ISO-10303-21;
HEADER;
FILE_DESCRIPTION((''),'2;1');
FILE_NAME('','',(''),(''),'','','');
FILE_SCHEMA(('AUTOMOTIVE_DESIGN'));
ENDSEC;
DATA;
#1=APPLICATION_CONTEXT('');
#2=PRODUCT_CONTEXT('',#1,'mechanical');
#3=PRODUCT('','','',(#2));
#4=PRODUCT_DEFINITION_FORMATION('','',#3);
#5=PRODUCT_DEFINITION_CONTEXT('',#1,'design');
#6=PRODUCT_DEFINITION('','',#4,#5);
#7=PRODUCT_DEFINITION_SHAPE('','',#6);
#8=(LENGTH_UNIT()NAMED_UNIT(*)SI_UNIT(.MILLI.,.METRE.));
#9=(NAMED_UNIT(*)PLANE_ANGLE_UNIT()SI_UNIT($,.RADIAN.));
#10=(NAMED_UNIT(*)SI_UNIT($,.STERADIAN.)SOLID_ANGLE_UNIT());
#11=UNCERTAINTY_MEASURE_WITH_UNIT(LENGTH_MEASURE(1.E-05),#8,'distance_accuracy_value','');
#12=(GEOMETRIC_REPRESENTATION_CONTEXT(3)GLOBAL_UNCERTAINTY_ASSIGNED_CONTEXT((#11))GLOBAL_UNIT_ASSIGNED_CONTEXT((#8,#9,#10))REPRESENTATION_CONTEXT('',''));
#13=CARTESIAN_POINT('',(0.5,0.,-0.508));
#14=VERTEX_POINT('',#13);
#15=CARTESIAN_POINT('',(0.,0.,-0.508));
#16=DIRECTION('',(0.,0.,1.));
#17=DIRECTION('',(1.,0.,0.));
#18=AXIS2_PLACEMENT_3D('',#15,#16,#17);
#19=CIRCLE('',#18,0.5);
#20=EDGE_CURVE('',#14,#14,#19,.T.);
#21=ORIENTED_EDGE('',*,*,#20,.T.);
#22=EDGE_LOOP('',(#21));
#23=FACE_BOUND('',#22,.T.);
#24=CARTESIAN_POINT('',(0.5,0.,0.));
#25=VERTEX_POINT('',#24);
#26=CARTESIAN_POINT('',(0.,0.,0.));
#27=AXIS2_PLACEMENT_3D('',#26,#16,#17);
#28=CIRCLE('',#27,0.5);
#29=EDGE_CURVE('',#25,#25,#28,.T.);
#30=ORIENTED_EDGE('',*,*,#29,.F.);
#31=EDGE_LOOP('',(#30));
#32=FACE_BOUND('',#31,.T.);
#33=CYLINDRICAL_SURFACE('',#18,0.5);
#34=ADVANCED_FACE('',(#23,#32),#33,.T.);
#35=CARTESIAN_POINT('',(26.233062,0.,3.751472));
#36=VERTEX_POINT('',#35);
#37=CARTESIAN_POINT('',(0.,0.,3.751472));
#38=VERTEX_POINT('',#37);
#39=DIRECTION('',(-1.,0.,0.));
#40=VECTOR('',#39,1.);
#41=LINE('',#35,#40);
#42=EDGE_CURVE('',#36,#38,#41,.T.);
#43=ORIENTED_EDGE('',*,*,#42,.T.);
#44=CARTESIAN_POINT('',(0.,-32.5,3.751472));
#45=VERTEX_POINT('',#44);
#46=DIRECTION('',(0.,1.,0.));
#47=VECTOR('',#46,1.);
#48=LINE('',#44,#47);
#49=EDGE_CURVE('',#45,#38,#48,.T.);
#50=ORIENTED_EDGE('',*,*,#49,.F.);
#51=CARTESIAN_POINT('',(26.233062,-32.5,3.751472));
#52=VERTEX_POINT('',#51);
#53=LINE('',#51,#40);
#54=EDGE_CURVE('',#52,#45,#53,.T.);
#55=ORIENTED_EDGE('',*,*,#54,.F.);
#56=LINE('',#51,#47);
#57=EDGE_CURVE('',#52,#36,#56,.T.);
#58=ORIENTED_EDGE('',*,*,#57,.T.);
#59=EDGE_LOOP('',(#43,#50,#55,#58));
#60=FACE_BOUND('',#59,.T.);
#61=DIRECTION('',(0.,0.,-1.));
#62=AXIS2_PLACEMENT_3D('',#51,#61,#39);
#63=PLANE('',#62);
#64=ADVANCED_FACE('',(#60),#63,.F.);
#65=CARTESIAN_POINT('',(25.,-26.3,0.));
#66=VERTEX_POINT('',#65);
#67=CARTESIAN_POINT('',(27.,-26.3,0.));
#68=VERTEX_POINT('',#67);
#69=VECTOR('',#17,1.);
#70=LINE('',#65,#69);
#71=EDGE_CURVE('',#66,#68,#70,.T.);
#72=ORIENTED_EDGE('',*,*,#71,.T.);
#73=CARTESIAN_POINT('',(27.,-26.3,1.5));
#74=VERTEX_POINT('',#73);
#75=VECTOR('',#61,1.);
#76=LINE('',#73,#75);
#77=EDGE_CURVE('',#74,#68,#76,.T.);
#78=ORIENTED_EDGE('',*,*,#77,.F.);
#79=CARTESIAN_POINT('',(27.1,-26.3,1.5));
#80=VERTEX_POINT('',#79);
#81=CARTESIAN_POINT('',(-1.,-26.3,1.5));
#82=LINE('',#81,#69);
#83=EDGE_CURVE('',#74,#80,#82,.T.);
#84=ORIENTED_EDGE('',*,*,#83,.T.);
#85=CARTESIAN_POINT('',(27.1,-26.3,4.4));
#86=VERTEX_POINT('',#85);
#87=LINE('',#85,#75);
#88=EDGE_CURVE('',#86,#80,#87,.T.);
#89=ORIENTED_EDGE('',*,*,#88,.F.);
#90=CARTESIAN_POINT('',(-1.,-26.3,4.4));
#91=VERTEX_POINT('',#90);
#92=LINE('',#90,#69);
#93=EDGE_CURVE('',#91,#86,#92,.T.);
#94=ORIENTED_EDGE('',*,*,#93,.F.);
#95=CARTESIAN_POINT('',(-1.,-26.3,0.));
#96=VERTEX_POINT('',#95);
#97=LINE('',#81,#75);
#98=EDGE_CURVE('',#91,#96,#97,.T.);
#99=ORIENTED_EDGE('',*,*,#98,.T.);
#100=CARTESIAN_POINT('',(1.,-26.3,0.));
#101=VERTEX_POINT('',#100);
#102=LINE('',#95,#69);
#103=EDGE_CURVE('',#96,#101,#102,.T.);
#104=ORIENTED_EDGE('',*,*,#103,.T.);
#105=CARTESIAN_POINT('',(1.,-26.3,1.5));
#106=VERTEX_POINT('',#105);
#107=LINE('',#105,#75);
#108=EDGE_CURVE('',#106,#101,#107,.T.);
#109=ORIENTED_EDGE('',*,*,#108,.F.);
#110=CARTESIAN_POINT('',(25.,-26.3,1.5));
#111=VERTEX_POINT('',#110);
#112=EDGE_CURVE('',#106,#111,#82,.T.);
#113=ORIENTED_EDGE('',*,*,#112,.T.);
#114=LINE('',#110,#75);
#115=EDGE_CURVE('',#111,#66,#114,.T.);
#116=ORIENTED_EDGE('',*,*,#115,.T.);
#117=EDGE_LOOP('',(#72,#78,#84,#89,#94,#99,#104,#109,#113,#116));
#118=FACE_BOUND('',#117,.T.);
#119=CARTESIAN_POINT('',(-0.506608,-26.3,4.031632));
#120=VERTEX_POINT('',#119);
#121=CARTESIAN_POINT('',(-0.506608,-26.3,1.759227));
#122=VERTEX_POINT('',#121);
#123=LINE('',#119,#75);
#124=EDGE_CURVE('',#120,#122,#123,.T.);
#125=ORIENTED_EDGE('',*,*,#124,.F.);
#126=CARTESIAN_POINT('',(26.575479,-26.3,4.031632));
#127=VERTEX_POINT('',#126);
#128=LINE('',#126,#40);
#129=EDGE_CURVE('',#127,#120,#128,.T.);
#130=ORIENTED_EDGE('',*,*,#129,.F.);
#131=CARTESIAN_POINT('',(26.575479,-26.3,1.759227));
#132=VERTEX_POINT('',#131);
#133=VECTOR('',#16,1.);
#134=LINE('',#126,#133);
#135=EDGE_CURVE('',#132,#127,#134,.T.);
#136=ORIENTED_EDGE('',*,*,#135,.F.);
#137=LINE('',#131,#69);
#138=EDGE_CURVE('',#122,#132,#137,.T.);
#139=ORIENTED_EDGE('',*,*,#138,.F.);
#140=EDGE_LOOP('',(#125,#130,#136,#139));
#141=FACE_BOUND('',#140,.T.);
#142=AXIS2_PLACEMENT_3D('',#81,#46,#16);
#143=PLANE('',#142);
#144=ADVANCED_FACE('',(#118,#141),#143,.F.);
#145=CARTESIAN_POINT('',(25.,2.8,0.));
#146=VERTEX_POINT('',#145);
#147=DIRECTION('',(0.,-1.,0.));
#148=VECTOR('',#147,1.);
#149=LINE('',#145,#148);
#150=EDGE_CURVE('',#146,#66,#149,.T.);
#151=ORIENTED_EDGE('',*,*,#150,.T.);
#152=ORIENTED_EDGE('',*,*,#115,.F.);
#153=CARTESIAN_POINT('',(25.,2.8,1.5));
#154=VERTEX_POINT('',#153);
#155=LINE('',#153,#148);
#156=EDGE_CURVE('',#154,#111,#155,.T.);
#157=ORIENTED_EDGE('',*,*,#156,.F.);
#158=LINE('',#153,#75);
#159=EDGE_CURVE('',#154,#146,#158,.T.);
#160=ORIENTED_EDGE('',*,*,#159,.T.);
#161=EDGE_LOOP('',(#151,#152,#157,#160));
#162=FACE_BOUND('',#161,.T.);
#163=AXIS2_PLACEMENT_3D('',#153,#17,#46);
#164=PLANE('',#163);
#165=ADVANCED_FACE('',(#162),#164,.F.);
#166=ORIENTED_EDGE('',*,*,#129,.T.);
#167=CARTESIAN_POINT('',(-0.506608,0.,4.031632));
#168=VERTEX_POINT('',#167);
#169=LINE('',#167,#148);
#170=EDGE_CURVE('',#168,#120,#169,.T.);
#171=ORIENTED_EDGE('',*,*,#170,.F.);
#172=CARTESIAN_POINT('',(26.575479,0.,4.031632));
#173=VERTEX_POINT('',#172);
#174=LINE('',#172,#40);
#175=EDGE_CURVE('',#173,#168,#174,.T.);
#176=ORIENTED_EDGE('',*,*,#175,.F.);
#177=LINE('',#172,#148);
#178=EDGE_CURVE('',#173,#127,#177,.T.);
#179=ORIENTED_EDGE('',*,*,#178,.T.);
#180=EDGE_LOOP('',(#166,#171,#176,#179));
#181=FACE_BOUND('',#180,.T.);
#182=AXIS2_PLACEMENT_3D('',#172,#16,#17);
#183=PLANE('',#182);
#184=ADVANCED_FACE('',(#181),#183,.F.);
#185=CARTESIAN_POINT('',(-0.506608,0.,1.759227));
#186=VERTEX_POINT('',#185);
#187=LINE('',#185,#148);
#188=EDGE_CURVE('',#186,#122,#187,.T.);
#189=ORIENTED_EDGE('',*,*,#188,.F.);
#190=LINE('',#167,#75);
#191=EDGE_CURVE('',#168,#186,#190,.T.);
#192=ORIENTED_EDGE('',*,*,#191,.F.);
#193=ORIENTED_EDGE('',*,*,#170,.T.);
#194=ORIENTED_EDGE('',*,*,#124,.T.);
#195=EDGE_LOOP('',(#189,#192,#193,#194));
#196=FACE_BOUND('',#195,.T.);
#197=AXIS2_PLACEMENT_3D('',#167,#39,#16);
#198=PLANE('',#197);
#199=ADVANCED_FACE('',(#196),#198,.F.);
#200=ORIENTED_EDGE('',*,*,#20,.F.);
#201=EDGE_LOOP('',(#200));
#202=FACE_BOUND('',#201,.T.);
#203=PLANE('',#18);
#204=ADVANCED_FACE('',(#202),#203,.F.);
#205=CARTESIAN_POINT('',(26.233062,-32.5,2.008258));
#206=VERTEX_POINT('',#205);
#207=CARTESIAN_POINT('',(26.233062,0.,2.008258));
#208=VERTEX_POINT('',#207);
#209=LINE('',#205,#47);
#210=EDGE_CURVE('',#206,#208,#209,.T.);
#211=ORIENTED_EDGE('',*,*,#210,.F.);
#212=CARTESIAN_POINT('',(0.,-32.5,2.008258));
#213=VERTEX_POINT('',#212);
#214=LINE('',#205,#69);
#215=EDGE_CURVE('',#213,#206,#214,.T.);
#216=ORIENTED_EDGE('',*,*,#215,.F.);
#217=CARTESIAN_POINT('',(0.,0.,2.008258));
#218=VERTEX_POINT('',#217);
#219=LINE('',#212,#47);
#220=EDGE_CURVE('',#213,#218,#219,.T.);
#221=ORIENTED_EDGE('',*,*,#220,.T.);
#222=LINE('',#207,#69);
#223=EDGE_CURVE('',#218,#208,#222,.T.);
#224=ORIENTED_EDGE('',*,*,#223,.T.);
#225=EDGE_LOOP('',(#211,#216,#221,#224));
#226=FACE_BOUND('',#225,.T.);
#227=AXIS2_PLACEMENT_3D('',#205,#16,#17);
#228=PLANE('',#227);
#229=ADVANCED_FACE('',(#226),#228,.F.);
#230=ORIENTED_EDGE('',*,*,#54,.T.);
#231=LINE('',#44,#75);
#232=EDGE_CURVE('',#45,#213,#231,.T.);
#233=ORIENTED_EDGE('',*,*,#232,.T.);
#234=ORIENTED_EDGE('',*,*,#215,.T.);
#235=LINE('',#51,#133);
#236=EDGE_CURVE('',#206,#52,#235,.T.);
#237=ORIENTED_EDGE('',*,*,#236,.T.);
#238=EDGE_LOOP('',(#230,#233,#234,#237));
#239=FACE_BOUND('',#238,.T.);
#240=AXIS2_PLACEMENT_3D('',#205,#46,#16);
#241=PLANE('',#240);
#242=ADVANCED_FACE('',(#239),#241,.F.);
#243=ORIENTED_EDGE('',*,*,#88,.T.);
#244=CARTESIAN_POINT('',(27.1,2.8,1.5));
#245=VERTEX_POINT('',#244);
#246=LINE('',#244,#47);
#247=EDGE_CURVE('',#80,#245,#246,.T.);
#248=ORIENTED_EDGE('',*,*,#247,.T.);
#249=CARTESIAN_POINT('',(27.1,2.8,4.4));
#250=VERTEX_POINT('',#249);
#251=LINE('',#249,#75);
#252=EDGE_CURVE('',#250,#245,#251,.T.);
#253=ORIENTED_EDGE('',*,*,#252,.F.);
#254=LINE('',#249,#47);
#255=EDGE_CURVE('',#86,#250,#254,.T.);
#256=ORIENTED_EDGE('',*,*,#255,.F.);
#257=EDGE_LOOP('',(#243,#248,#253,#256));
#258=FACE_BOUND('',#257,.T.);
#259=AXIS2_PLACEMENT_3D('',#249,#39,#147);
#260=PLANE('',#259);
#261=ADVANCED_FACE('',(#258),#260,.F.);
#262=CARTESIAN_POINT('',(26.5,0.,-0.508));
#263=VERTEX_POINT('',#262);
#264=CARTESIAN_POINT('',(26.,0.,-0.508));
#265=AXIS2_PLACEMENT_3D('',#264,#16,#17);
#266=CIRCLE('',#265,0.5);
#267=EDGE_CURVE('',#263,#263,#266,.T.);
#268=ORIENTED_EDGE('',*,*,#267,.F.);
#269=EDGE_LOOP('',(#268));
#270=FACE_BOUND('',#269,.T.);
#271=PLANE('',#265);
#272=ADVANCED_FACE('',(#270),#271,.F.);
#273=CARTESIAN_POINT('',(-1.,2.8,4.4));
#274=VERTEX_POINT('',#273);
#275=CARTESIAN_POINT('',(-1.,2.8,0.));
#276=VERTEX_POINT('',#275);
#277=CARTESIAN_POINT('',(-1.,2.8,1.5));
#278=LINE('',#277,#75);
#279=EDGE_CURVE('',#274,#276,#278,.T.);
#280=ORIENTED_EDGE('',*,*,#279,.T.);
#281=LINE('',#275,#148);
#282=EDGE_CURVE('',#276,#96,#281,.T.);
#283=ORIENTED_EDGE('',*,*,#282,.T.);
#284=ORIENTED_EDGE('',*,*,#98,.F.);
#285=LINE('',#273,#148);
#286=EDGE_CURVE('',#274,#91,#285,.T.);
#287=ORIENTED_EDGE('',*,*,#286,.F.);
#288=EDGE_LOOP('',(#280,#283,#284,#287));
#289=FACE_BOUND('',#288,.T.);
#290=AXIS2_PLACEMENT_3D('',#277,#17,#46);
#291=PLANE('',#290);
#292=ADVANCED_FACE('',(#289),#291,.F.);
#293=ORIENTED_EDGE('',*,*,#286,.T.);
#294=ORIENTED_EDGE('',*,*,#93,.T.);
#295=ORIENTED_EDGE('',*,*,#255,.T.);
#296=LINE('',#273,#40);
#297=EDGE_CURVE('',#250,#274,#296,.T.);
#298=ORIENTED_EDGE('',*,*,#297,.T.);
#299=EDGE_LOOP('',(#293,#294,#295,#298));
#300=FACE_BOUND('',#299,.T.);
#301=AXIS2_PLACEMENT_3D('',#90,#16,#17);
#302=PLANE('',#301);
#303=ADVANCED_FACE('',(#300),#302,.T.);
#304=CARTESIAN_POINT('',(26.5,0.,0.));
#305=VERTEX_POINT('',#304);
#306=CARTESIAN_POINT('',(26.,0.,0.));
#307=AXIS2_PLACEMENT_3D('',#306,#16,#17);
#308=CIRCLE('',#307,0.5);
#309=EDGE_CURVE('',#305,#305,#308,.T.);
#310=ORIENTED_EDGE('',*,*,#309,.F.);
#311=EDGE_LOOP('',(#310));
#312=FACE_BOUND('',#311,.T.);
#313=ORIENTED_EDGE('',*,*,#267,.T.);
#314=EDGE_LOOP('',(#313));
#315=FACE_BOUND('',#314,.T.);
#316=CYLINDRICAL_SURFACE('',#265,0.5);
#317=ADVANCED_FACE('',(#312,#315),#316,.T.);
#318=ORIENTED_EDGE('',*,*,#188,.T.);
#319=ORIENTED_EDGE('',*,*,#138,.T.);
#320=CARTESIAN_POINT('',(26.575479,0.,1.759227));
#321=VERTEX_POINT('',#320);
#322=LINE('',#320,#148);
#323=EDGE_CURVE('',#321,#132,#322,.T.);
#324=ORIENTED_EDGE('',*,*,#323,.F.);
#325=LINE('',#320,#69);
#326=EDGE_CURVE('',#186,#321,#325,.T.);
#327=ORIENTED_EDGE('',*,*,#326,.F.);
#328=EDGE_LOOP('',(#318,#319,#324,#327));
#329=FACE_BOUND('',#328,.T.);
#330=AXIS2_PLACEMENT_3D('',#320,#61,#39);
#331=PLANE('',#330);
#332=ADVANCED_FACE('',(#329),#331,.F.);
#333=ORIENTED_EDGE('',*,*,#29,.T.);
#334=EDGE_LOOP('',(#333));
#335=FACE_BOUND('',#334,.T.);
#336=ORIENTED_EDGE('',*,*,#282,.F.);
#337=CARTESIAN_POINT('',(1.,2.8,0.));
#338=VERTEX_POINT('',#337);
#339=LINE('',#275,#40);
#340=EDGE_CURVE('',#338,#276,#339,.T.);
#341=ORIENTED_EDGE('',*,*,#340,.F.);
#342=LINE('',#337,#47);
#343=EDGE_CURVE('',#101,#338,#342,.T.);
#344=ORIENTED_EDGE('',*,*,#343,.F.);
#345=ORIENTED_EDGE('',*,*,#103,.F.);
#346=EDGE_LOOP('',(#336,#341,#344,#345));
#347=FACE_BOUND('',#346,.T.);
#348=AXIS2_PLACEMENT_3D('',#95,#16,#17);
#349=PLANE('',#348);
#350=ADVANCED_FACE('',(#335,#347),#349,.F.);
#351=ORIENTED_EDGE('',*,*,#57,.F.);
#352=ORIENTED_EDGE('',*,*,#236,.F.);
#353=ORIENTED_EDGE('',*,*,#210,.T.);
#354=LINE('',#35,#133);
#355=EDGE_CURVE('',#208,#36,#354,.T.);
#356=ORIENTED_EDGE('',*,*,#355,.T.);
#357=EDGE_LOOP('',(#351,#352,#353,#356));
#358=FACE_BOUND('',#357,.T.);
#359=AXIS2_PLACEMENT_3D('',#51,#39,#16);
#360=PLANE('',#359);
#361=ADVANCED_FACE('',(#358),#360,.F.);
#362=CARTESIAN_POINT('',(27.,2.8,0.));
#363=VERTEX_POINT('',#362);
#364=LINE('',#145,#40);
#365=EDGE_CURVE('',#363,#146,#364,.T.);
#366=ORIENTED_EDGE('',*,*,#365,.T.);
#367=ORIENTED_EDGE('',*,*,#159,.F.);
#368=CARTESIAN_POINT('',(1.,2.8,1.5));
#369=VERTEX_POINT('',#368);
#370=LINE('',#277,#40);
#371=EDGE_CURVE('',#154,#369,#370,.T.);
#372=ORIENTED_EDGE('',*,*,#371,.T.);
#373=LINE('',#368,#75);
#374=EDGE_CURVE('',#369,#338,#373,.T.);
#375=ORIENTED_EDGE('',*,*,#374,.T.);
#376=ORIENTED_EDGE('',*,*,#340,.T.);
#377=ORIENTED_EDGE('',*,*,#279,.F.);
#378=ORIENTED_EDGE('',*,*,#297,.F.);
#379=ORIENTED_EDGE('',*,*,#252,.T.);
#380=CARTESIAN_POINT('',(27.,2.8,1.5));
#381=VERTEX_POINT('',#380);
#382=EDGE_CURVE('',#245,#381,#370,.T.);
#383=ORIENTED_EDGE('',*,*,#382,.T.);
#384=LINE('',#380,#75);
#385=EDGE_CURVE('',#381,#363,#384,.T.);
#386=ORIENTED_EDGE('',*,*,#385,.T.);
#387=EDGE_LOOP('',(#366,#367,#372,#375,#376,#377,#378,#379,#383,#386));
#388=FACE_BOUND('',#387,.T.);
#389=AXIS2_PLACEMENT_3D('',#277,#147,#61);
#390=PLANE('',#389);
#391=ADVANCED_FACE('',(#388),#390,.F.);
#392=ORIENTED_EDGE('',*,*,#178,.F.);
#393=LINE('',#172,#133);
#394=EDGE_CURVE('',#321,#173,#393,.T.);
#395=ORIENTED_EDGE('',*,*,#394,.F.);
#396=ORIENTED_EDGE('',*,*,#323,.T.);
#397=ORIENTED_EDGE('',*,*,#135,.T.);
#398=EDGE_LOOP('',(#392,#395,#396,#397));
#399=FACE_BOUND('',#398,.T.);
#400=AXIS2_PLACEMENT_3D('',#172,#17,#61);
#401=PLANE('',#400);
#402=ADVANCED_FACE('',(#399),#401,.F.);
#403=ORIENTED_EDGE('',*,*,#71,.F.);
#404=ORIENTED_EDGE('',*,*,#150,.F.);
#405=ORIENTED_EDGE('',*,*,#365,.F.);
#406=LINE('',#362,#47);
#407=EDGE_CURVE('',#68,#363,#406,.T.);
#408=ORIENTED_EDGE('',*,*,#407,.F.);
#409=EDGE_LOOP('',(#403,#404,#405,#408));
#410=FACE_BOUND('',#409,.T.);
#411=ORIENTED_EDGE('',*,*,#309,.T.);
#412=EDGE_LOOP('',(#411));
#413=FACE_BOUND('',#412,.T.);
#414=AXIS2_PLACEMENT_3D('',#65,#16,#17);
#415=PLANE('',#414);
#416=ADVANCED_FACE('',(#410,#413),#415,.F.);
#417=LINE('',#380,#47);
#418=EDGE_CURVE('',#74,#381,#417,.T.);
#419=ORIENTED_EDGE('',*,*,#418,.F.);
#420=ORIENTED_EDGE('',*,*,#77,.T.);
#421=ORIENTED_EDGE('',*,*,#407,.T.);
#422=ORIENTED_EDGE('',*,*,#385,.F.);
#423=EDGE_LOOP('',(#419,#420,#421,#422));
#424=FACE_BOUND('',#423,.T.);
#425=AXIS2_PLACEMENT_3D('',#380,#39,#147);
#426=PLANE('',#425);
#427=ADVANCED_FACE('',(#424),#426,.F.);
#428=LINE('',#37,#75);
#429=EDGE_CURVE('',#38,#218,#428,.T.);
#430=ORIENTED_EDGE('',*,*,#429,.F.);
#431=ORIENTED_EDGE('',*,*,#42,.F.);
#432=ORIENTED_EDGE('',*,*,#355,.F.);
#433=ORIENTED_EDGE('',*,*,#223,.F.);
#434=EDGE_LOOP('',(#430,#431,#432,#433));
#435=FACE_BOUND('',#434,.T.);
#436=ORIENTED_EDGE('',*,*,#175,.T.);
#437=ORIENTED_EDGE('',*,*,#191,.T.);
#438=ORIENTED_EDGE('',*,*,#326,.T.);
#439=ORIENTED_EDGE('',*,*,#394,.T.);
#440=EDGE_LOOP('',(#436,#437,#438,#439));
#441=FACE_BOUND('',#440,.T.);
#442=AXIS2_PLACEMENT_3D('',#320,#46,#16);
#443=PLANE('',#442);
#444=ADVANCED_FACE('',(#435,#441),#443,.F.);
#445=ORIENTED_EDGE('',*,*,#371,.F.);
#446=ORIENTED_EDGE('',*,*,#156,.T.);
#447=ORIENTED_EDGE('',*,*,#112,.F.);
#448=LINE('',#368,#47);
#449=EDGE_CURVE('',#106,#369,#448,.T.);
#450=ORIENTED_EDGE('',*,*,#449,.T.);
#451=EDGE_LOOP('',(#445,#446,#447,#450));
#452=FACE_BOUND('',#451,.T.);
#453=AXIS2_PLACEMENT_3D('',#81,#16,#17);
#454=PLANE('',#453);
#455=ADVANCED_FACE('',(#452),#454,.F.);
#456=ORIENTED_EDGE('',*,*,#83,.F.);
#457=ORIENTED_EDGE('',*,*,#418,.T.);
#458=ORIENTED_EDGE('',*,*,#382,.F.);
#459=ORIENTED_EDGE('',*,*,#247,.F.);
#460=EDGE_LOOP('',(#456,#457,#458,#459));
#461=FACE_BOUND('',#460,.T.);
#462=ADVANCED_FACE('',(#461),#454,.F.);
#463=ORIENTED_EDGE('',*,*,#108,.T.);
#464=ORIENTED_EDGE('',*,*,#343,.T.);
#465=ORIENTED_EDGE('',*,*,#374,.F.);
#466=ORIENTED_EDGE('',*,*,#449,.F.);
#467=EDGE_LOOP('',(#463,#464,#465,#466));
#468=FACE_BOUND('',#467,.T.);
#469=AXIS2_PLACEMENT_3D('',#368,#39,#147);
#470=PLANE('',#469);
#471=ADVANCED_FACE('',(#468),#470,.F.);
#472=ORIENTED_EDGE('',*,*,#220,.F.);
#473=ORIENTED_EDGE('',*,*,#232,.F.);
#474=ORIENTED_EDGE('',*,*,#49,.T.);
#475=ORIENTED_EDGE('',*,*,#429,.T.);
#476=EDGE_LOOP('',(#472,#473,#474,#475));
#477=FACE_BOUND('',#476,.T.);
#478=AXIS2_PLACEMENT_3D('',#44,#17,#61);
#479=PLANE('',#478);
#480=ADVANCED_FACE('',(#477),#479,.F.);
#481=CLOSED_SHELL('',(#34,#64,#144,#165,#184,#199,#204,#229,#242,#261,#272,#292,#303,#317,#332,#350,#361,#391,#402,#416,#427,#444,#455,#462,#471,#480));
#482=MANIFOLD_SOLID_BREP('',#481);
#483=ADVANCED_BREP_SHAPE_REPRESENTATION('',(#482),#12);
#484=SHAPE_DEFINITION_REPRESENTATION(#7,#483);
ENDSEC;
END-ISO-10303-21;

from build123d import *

# Parameters (mm, degrees)
SKETCH1_R          = 0.5
EXTRUDE1_DEPTH     = 0.508
EXTRUDE1_2_DEPTH   = 0.508
SKETCH2_W          = 2
SKETCH2_H          = 29.1
EXTRUDE2_DEPTH     = 1.5
SKETCH3_W          = 28.1
SKETCH3_H          = 29.1
EXTRUDE3_DEPTH     = 2.9
SKETCH4_W          = 27.082087072
SKETCH4_H          = 2.272405007
CUT_EXTRUDE1_DEPTH = 26.3
SKETCH5_W          = 26.233061925
SKETCH5_H          = 1.7432148
EXTRUDE4_DEPTH     = 32.5


with BuildPart() as part:
    # Sketch1 → Extrude1 (new body)
    with BuildSketch(Plane.XY):
        Circle(SKETCH1_R)
    extrude(amount=-EXTRUDE1_DEPTH)



with BuildPart() as body_2:
    # Sketch1 → Extrude1 2 (new body)
    with BuildSketch(Plane.XY):
        with Locations((26, 0)):
            Circle(SKETCH1_R)
    extrude(amount=-EXTRUDE1_2_DEPTH)


with BuildPart() as part_1:
    add(part.part)

    add(body_2.part)  # Extrude2 merges body 2
    # Sketch2 → Extrude2 (add)
    with BuildSketch(Plane.XY):
        with Locations((0, -11.75)):
            Rectangle(SKETCH2_W, SKETCH2_H)
        with Locations((26, -11.75)):
            Rectangle(SKETCH2_W, SKETCH2_H)
    extrude(amount=EXTRUDE2_DEPTH)

    # Sketch3 → Extrude3 (add)
    with BuildSketch(Plane.XY.offset(1.5)):
        with Locations((13.05, -11.75)):
            Rectangle(SKETCH3_W, SKETCH3_H)
    extrude(amount=EXTRUDE3_DEPTH)

    # Sketch4 → Cut-Extrude1 (cut)
    with BuildSketch(Plane.XZ.offset(26.3)):
        with Locations((13.034435582, 2.89542949)):
            Rectangle(SKETCH4_W, SKETCH4_H)
    extrude(amount=-CUT_EXTRUDE1_DEPTH, mode=Mode.SUBTRACT)

    # Sketch5 → Extrude4 (add)
    with BuildSketch(Plane.XZ):
        with Locations((13.116530963, 2.879865071)):
            Rectangle(SKETCH5_W, SKETCH5_H)
    extrude(amount=EXTRUDE4_DEPTH)


solid = part_1.part
